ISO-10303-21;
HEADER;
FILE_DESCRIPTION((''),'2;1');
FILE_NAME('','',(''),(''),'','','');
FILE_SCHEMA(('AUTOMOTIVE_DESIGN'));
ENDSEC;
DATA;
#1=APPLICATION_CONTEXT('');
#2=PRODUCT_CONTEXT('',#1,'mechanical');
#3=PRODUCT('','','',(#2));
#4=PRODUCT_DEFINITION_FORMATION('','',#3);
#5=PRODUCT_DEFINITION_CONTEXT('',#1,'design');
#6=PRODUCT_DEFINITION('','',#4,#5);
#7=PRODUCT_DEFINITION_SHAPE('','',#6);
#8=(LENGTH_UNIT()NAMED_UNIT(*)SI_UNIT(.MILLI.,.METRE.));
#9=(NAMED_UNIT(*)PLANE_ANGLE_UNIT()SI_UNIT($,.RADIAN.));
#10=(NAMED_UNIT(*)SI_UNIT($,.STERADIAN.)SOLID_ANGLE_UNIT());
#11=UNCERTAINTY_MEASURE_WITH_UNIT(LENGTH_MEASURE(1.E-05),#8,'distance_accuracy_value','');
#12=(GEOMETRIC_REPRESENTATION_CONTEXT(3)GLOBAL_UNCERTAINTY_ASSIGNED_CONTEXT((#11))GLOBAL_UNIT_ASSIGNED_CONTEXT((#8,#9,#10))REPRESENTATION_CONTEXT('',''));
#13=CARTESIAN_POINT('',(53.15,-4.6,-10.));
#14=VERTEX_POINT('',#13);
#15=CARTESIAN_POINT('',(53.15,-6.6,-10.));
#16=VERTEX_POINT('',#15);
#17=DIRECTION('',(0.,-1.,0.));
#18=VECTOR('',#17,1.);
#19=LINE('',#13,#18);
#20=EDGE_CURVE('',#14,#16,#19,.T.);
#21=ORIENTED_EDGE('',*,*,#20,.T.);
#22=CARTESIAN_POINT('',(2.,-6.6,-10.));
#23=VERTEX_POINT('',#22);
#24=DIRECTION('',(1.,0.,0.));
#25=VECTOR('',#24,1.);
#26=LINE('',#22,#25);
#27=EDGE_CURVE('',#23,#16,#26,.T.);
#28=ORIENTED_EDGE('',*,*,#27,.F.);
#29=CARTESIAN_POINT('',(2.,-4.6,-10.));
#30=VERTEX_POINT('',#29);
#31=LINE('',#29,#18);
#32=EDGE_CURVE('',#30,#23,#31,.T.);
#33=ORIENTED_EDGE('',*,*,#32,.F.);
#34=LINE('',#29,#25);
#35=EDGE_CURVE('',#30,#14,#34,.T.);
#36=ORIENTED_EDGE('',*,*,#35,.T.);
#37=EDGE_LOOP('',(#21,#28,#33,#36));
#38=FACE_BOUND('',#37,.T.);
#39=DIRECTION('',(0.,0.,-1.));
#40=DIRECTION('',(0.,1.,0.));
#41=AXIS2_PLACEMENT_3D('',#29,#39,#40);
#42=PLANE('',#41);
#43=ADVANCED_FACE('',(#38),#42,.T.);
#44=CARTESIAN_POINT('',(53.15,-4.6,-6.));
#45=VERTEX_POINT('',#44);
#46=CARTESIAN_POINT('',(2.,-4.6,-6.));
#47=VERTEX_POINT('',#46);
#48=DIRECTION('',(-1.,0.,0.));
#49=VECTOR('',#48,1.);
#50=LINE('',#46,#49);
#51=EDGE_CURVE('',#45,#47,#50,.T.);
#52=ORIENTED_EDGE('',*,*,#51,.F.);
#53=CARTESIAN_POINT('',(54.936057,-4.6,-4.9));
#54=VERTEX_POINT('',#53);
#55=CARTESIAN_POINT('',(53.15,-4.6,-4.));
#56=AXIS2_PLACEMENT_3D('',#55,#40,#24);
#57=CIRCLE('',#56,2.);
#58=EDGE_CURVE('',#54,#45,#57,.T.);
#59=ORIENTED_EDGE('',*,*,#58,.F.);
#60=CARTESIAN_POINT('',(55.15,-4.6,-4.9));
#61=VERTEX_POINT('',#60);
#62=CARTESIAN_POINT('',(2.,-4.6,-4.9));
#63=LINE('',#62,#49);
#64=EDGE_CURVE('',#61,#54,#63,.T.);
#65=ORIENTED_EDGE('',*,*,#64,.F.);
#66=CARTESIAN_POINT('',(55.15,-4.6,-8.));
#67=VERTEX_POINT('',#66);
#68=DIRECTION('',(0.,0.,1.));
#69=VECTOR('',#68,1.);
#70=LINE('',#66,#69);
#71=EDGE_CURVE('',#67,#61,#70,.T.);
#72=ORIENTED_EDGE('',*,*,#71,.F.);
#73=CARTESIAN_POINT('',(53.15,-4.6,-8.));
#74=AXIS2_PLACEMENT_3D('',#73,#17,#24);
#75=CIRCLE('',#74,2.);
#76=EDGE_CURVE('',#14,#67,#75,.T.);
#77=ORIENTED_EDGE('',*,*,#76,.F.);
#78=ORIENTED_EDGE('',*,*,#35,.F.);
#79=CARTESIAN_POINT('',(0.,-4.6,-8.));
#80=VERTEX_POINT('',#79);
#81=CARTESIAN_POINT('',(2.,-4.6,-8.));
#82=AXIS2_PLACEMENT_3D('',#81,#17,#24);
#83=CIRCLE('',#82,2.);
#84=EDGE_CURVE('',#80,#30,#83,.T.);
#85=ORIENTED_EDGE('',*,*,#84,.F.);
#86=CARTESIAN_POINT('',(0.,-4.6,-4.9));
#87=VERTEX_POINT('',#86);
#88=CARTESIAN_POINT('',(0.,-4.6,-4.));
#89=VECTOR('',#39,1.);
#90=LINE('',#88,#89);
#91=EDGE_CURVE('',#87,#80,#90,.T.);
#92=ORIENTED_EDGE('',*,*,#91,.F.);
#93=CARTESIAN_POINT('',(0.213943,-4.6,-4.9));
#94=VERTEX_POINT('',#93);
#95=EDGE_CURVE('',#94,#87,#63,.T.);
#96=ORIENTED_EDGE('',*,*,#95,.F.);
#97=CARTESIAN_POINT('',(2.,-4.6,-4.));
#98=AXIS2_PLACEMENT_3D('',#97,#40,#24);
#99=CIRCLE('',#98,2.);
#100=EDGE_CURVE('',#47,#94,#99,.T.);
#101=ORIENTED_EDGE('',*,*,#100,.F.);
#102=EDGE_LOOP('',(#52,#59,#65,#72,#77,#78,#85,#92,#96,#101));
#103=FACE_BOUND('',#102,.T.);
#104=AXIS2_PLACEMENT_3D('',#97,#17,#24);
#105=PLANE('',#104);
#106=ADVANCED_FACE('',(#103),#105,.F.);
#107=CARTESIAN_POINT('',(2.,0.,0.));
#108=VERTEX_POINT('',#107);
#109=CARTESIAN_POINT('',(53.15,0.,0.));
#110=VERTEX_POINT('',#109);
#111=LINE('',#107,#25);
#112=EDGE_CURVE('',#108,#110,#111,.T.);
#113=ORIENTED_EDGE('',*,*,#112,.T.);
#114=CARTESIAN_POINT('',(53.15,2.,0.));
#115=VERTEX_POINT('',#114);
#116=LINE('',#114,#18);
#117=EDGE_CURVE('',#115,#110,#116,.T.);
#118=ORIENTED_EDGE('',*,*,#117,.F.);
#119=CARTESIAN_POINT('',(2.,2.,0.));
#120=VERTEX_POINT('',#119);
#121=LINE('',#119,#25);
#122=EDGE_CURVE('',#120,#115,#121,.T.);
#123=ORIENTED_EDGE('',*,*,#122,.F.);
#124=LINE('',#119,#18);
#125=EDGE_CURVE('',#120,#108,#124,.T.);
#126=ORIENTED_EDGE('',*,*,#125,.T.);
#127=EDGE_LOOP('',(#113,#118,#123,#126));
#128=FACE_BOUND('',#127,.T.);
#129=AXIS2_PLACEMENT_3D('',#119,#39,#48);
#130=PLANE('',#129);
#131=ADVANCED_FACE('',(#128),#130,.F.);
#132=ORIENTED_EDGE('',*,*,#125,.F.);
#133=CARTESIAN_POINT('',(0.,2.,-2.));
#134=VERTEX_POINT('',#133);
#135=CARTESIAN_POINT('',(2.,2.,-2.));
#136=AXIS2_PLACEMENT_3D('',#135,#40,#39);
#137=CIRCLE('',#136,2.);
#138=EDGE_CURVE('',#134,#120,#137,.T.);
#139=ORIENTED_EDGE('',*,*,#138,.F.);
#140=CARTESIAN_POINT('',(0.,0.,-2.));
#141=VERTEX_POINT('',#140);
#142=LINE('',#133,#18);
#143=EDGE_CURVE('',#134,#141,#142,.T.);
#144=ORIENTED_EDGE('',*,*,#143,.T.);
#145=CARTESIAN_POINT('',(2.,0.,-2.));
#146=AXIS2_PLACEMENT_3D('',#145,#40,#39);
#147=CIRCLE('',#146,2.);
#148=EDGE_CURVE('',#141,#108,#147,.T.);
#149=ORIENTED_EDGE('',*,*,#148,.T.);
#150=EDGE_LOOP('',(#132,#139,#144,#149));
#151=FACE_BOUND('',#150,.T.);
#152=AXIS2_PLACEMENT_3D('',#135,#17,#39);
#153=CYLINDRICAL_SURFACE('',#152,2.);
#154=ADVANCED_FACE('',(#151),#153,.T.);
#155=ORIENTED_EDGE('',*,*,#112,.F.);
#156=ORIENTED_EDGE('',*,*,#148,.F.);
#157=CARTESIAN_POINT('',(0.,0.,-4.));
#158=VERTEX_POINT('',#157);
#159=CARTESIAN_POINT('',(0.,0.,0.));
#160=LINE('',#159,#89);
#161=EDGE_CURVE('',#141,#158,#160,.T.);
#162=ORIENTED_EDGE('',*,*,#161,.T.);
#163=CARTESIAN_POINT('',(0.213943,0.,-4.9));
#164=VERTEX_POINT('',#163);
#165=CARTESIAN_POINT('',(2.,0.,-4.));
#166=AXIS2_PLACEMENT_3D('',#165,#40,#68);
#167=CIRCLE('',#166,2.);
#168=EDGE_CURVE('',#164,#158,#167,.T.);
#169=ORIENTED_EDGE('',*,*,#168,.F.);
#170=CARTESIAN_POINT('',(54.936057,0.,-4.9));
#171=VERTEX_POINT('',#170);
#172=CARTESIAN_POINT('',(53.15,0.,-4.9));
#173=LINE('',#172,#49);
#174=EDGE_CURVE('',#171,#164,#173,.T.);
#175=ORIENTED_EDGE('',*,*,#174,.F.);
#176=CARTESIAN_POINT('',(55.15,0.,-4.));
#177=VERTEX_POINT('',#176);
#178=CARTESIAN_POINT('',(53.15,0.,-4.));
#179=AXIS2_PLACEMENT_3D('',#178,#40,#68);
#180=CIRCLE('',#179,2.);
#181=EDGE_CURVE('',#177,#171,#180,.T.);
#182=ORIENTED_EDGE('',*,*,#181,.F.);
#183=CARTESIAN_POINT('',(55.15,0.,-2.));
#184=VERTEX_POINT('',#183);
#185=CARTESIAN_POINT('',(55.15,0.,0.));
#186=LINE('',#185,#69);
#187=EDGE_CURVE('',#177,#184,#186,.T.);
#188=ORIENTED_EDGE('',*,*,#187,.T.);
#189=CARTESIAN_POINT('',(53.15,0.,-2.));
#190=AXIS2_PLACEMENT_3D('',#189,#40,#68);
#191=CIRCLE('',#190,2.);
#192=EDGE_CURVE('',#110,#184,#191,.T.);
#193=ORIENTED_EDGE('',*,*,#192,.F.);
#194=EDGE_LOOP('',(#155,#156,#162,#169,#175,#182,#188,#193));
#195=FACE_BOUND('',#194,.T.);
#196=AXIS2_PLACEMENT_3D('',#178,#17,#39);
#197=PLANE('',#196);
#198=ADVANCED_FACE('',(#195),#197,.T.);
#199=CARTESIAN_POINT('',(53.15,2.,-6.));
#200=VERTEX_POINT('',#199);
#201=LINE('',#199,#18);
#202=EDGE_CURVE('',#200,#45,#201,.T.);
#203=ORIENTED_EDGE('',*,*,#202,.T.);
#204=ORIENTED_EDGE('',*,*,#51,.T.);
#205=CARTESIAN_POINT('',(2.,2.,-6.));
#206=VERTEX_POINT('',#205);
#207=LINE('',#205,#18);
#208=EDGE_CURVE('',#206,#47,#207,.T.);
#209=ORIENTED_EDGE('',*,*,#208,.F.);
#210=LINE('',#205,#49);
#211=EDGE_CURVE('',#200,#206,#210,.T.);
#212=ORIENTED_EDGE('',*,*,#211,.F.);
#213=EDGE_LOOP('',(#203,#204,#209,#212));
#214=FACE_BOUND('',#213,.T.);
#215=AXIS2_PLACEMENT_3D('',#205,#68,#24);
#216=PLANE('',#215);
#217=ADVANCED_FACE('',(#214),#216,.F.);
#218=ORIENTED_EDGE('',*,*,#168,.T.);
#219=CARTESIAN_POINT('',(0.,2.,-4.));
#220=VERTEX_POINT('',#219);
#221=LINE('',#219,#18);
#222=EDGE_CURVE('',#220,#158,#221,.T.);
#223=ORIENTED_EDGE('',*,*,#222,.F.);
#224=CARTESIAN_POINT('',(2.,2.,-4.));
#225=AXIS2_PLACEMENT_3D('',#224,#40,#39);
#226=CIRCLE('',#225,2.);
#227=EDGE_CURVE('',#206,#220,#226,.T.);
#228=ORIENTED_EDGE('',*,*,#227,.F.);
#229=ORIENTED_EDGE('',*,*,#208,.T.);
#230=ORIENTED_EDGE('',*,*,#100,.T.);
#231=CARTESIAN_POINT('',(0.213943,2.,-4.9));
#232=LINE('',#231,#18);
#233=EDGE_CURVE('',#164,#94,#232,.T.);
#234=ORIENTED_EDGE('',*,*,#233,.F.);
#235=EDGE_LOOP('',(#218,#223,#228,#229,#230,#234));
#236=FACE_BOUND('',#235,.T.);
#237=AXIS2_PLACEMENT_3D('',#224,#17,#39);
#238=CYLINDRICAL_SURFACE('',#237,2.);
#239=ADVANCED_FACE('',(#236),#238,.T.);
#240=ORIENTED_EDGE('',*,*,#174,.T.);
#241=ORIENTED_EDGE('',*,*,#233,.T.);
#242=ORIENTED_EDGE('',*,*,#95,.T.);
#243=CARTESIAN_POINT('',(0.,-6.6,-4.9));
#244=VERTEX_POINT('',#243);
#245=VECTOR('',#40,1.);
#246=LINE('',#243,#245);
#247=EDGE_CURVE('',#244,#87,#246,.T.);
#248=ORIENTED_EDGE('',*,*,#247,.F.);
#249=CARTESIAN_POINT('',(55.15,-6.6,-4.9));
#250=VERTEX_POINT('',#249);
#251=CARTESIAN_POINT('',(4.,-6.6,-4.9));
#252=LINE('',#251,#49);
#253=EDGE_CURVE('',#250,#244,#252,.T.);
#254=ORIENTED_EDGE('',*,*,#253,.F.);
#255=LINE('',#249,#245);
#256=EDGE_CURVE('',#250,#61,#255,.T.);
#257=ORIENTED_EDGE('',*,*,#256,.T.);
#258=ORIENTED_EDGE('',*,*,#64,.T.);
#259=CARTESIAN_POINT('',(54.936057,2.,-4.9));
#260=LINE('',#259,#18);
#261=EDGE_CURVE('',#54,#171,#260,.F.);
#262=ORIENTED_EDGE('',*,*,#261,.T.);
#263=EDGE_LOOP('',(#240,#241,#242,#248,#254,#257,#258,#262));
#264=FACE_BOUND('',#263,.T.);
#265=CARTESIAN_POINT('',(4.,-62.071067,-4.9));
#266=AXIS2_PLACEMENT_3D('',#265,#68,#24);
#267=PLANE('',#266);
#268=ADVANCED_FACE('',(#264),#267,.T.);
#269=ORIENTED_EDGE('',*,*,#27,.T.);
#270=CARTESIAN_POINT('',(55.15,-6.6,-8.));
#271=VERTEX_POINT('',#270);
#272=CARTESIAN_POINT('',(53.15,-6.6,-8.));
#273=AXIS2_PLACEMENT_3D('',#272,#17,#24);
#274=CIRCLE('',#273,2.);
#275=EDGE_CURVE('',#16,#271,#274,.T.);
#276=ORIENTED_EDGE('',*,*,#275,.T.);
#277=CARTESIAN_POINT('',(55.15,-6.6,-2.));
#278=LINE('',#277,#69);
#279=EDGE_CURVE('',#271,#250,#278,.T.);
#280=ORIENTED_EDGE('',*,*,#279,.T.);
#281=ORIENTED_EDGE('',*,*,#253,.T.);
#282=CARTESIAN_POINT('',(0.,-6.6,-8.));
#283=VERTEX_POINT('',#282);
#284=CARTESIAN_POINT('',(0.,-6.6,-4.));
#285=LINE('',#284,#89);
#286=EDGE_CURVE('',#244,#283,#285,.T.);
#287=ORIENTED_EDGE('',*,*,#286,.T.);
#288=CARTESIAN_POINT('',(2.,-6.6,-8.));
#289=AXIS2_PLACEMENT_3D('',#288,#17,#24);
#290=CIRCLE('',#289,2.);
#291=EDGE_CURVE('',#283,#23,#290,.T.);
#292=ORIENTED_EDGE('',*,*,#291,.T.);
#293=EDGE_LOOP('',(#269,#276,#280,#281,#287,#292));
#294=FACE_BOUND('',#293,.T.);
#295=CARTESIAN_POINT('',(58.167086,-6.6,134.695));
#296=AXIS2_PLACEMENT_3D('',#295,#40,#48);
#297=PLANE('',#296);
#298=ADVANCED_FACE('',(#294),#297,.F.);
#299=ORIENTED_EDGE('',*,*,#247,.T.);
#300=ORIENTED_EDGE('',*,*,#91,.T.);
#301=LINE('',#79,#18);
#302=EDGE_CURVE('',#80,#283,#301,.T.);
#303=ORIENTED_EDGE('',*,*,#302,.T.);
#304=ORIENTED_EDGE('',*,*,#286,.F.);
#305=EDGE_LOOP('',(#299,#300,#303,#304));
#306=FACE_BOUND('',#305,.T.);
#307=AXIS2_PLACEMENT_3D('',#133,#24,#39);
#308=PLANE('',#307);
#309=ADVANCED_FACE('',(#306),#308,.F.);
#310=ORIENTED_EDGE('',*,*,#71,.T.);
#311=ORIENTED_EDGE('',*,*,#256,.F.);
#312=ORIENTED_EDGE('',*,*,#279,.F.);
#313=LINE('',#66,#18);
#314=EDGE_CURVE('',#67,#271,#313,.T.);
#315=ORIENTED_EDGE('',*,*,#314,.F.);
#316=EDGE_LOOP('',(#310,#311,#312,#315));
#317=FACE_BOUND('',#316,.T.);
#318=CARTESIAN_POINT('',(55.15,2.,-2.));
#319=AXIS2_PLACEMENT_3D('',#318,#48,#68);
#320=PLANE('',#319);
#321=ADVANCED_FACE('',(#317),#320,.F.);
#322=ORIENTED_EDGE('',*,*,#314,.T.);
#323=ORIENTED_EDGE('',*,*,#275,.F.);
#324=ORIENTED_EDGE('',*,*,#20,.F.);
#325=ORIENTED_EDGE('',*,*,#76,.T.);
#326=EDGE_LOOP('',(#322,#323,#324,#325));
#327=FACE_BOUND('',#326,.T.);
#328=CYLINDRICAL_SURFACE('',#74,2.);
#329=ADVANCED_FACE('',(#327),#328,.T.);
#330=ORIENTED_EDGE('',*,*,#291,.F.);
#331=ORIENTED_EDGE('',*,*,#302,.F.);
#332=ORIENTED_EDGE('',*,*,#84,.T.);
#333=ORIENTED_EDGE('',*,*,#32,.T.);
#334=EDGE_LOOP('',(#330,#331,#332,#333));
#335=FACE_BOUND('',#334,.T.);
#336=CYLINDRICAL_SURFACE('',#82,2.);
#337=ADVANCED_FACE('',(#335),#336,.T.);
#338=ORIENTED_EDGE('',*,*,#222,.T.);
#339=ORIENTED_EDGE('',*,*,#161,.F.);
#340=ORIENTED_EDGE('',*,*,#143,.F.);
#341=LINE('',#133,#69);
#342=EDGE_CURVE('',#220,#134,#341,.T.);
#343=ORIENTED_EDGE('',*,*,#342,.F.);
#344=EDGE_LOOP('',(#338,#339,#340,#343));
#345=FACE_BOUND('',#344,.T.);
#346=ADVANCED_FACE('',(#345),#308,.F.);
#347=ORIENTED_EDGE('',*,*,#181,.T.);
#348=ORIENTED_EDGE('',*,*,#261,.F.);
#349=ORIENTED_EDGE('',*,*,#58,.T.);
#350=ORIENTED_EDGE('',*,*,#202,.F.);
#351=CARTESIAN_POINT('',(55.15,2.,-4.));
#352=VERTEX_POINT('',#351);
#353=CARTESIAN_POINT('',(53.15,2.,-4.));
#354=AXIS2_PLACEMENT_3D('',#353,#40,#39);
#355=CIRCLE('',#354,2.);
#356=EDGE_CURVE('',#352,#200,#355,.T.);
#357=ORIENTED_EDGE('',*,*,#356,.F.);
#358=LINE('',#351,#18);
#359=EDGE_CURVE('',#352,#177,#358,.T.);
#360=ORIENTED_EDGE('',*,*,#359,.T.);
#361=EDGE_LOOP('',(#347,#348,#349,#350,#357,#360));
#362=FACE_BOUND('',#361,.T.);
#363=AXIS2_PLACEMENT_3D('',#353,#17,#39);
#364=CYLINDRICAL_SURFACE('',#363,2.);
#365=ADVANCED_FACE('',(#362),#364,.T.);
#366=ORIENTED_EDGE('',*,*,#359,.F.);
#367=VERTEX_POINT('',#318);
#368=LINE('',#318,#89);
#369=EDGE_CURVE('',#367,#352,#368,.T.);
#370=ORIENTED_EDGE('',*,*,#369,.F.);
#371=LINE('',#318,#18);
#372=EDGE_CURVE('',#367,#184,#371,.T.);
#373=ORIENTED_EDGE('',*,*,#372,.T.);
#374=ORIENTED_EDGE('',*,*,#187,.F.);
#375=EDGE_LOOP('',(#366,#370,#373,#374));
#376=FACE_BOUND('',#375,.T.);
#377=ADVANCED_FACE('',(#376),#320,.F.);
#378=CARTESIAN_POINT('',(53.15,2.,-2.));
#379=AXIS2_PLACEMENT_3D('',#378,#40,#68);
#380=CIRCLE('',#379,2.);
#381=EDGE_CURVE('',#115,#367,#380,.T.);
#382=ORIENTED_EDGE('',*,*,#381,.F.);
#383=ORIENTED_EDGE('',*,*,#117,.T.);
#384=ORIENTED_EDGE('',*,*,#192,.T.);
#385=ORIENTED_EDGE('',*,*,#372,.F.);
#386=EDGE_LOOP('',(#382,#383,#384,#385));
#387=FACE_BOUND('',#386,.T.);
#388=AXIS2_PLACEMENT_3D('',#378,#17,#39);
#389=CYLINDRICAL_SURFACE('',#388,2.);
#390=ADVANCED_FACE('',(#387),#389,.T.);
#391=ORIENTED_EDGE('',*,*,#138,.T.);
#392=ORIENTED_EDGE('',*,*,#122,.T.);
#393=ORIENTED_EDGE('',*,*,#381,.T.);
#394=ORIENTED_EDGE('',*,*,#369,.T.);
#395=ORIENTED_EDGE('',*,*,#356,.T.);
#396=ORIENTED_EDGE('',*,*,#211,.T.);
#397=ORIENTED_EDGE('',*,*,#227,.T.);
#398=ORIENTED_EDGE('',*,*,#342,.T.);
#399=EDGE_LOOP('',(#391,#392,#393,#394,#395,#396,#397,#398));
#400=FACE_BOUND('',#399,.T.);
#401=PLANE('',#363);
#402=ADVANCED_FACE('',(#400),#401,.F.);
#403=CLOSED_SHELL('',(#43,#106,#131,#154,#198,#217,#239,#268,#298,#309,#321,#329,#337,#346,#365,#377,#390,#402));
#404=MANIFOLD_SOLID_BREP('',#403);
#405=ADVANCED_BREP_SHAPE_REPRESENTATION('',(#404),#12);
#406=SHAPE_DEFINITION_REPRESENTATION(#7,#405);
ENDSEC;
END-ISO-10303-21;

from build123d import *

# Parameters (mm, degrees)
BOSS_EXTRUDE1_DEPTH = 2
BOSS_EXTRUDE2_START = -8.6
BOSS_EXTRUDE2_DEPTH = 8.6
BOSS_EXTRUDE3_DEPTH = 2
SKETCH8_W           = 55.15
SKETCH8_H           = 4.9
CUT_EXTRUDE3_DEPTH  = 57.436535152


with BuildPart() as part:
    # Sketch1 → Boss-Extrude1 (new body)
    with BuildSketch(Plane(origin=(0, 0, 0), x_dir=(1, 0, 0), z_dir=(0, 1, 0))):
        with BuildLine():
            Line((2, 0), (53.15, 0))
            ThreePointArc((53.15, 0), (54.564213562, 0.585786438), (55.15, 2))
            Line((55.15, 2), (55.15, 4))
            ThreePointArc((55.15, 4), (54.564213562, 5.414213562), (53.15, 6))
            Line((53.15, 6), (2, 6))
            ThreePointArc((2, 6), (0.585786438, 5.414213562), (0, 4))
            Line((0, 4), (0, 2))
            ThreePointArc((0, 2), (0.585786438, 0.585786438), (2, 0))
        make_face()
    extrude(amount=BOSS_EXTRUDE1_DEPTH)

    # Sketch2 → Boss-Extrude2 (add)
    with BuildSketch(Plane(origin=(0, 2, 0), x_dir=(1, 0, 0), z_dir=(0, 1, 0)).offset(BOSS_EXTRUDE2_START)):
        with BuildLine():
            Line((1.6, 0.040408206), (1.6, 2.5))
            ThreePointArc((1.6, 2.5), (2.302943725, 4.197056275), (4, 4.9))
            Line((4, 4.9), (51.15, 4.9))
            ThreePointArc((51.15, 4.9), (52.847056275, 4.197056275), (53.55, 2.5))
            Line((53.55, 2.5), (53.55, 0.040408206))
            ThreePointArc((53.55, 0.040408206), (54.699193338, 0.735088936), (55.15, 2))
            Line((55.15, 2), (55.15, 4))
            ThreePointArc((55.15, 4), (54.564213562, 5.414213562), (53.15, 6))
            Line((53.15, 6), (2, 6))
            ThreePointArc((2, 6), (0.585786438, 5.414213562), (0, 4))
            Line((0, 4), (0, 2))
            ThreePointArc((0, 2), (0.450806662, 0.735088936), (1.6, 0.040408206))
        make_face()
    extrude(amount=BOSS_EXTRUDE2_DEPTH)

    # Sketch4 → Boss-Extrude3 (add)
    with BuildSketch(Plane.XZ.offset(6.6)):
        with BuildLine():
            Line((0, -4), (0, -8))
            ThreePointArc((0, -8), (0.585786438, -9.414213562), (2, -10))
            Line((2, -10), (53.15, -10))
            ThreePointArc((53.15, -10), (54.564213562, -9.414213562), (55.15, -8))
            Line((55.15, -8), (55.15, -4))
            ThreePointArc((55.15, -4), (54.564213562, -5.414213562), (53.15, -6))
            Line((53.15, -6), (2, -6))
            ThreePointArc((2, -6), (0.585786438, -5.414213562), (0, -4))
        make_face()
    extrude(amount=-BOSS_EXTRUDE3_DEPTH)

    # Sketch8 → Cut-Extrude3 (cut, through all)
    with BuildSketch(Plane.XZ):
        with Locations((27.575, -2.45)):
            Rectangle(SKETCH8_W, SKETCH8_H)
    extrude(amount=CUT_EXTRUDE3_DEPTH, mode=Mode.SUBTRACT)


solid = part.part
